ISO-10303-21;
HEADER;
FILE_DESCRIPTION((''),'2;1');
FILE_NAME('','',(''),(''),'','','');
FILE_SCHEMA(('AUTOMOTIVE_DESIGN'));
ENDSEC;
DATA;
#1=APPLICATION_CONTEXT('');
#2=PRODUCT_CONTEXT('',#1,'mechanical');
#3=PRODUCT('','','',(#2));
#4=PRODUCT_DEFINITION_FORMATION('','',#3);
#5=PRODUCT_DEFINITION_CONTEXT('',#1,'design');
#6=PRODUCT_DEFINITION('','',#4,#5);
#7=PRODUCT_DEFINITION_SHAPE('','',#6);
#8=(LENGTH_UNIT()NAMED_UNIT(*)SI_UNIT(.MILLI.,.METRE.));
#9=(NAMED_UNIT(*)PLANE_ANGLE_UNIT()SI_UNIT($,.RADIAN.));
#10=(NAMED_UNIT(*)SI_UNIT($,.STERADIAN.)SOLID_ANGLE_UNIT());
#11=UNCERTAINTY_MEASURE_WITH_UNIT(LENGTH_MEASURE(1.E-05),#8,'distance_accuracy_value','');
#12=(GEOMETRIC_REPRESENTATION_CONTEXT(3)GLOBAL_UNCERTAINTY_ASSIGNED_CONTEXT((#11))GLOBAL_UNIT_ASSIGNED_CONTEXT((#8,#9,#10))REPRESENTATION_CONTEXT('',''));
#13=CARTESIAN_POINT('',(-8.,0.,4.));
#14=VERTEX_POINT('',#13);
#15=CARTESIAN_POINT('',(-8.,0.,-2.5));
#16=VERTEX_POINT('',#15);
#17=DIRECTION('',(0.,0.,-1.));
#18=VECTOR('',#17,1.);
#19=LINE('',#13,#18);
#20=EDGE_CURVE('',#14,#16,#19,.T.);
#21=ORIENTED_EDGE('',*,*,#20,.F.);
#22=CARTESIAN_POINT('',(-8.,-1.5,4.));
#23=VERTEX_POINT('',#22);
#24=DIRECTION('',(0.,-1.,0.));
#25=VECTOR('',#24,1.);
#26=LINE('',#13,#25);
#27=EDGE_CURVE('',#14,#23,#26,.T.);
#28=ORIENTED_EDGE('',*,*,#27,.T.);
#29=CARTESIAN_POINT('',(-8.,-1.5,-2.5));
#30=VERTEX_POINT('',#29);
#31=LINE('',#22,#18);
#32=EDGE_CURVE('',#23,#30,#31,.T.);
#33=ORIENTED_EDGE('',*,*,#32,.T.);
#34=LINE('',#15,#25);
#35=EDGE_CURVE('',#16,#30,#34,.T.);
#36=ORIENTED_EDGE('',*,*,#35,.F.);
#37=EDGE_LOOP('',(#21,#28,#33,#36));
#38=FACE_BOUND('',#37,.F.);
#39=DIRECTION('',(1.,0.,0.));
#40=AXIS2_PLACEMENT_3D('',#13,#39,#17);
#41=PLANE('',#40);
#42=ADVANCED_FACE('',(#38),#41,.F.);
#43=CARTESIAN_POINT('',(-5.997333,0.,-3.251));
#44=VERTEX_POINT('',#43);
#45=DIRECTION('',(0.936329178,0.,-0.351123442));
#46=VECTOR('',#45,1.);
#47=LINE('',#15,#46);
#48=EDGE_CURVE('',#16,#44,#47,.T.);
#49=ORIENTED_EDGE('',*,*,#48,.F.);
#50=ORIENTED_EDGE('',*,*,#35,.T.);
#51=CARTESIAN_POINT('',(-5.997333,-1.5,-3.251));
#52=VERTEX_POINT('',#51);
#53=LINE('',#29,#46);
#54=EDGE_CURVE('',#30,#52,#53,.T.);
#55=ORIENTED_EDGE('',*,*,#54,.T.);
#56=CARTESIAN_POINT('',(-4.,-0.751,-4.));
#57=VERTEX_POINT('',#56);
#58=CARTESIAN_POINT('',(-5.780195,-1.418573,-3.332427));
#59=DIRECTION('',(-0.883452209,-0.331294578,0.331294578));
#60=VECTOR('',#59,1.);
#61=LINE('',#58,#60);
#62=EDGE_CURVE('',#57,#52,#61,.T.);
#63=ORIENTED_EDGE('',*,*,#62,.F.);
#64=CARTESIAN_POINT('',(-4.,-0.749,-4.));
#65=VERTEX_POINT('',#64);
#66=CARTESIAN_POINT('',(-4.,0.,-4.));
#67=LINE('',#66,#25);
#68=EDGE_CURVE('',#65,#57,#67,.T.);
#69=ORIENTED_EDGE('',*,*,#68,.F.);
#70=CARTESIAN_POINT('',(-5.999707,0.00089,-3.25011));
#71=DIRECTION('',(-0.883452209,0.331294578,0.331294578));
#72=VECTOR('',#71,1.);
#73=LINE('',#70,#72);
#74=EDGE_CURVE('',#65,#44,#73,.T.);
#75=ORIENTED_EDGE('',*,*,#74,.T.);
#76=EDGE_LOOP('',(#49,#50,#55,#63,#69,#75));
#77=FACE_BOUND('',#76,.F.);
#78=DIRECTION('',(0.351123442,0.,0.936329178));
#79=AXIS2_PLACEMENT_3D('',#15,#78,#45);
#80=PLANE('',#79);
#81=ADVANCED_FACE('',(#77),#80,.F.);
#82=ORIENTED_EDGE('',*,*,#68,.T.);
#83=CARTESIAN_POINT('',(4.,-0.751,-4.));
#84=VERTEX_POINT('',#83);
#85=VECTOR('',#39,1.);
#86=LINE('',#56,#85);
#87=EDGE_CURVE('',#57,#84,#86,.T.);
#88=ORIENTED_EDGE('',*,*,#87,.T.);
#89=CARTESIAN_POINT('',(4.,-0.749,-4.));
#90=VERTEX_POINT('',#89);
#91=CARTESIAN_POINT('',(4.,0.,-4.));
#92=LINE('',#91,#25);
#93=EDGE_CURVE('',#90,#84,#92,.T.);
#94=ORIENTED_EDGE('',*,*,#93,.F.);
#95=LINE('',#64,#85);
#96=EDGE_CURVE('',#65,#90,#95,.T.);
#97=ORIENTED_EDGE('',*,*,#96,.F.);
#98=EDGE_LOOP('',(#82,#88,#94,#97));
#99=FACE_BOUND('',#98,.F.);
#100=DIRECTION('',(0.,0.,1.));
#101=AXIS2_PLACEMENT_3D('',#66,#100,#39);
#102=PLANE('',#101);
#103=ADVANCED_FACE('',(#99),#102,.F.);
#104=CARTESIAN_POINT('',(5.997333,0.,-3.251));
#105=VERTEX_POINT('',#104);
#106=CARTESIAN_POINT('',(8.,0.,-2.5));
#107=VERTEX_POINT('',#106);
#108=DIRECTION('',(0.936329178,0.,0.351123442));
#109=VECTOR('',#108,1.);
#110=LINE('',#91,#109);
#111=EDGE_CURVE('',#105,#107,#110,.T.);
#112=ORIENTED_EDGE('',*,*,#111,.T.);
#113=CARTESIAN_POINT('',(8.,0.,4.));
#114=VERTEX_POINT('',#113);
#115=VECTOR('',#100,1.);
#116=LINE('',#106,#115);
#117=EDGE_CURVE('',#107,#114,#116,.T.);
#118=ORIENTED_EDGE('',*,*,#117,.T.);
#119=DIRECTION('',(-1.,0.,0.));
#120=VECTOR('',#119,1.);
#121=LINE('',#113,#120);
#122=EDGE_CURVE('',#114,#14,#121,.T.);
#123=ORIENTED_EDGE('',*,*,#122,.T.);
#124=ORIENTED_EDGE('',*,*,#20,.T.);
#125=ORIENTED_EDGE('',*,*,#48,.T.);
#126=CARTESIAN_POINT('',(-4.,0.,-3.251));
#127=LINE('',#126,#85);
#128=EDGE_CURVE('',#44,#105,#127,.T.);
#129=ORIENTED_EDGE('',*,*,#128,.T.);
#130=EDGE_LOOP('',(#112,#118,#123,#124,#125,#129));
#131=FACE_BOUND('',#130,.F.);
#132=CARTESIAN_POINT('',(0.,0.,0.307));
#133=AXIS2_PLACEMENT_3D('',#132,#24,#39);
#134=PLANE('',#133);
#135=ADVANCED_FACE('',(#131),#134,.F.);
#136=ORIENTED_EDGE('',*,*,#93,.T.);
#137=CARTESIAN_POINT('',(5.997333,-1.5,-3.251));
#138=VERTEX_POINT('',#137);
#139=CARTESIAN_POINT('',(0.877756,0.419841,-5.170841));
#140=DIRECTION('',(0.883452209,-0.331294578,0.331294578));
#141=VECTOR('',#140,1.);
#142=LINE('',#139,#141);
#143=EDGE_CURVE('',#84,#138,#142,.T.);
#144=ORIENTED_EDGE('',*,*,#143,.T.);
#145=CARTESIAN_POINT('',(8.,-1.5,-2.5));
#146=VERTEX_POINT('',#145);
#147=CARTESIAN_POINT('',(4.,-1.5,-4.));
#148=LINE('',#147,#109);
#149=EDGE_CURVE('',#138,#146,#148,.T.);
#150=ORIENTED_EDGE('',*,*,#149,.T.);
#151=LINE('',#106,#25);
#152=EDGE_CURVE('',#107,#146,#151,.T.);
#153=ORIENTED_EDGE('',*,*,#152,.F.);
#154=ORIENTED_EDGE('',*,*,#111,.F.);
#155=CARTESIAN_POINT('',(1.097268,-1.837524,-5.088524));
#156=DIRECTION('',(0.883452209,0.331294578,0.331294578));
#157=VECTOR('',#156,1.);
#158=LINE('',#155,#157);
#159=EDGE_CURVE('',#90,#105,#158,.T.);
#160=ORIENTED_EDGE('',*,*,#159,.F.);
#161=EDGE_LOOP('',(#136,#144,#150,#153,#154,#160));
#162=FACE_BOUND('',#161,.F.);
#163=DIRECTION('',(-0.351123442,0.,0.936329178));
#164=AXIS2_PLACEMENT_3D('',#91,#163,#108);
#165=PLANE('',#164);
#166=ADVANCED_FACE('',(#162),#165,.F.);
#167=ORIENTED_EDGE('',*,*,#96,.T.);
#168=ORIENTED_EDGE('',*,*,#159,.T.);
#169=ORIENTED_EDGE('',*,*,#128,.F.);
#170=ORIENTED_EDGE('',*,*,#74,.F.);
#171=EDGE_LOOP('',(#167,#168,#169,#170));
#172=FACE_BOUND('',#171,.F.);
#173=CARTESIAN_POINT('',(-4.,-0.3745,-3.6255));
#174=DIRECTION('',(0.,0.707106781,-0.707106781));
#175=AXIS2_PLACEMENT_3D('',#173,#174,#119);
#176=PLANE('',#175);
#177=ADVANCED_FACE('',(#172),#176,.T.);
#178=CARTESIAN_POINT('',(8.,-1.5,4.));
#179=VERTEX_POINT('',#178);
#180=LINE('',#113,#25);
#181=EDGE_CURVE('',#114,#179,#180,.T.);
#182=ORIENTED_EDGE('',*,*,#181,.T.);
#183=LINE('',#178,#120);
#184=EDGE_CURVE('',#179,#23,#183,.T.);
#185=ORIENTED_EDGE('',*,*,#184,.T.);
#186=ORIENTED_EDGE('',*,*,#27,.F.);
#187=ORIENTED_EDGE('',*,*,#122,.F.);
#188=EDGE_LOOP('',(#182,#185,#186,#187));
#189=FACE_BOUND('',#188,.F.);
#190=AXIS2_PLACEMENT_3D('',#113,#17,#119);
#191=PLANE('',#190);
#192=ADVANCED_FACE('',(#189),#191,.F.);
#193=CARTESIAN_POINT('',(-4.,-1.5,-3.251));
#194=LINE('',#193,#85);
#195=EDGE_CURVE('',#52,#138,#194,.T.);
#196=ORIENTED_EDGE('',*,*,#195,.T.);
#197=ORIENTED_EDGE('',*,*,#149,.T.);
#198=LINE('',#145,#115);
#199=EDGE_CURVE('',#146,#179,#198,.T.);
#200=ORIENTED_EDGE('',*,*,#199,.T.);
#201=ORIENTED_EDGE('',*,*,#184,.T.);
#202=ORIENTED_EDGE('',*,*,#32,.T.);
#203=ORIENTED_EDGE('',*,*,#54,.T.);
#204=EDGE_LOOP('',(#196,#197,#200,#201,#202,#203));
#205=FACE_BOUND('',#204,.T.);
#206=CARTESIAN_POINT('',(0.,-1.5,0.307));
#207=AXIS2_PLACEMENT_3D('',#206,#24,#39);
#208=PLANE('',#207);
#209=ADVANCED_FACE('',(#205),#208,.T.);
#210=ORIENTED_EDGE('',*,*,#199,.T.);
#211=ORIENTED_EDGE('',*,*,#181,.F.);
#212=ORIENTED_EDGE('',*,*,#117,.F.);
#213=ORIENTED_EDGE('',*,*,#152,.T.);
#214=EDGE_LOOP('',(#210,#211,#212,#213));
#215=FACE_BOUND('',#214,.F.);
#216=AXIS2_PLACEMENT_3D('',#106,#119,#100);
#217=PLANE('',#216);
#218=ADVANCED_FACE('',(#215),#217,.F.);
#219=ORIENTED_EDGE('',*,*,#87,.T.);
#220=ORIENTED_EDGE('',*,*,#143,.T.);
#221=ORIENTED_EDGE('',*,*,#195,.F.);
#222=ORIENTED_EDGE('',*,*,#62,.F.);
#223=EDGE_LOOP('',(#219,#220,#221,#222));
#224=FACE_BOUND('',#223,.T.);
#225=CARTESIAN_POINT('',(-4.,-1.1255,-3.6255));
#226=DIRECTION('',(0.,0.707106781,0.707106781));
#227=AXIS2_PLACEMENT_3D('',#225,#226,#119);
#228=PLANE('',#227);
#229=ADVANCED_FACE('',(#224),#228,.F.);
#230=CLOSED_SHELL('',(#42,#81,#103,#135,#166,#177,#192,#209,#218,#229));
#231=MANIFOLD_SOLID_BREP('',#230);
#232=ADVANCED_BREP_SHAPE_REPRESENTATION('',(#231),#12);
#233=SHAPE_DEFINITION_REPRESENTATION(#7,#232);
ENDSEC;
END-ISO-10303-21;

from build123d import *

# Parameters (mm, degrees)
PAD_DEPTH    = 1.5
CHAMFER_SIZE = 0.749


with BuildPart() as part:
    # Sketch → Pad (new body)
    with BuildSketch(Plane.XZ):
        Polygon((-8, 4), (-8, -2.5), (-4, -4), (4, -4), (8, -2.5), (8, 4), align=None)
    extrude(amount=PAD_DEPTH)

    # Chamfer
    chamfer_edges = [part.edges().sort_by_distance(p)[0] for p in [
        (0, -1.5, -4),
        (0, 0, -4),
    ]]
    chamfer(chamfer_edges, length=CHAMFER_SIZE)


solid = part.part
